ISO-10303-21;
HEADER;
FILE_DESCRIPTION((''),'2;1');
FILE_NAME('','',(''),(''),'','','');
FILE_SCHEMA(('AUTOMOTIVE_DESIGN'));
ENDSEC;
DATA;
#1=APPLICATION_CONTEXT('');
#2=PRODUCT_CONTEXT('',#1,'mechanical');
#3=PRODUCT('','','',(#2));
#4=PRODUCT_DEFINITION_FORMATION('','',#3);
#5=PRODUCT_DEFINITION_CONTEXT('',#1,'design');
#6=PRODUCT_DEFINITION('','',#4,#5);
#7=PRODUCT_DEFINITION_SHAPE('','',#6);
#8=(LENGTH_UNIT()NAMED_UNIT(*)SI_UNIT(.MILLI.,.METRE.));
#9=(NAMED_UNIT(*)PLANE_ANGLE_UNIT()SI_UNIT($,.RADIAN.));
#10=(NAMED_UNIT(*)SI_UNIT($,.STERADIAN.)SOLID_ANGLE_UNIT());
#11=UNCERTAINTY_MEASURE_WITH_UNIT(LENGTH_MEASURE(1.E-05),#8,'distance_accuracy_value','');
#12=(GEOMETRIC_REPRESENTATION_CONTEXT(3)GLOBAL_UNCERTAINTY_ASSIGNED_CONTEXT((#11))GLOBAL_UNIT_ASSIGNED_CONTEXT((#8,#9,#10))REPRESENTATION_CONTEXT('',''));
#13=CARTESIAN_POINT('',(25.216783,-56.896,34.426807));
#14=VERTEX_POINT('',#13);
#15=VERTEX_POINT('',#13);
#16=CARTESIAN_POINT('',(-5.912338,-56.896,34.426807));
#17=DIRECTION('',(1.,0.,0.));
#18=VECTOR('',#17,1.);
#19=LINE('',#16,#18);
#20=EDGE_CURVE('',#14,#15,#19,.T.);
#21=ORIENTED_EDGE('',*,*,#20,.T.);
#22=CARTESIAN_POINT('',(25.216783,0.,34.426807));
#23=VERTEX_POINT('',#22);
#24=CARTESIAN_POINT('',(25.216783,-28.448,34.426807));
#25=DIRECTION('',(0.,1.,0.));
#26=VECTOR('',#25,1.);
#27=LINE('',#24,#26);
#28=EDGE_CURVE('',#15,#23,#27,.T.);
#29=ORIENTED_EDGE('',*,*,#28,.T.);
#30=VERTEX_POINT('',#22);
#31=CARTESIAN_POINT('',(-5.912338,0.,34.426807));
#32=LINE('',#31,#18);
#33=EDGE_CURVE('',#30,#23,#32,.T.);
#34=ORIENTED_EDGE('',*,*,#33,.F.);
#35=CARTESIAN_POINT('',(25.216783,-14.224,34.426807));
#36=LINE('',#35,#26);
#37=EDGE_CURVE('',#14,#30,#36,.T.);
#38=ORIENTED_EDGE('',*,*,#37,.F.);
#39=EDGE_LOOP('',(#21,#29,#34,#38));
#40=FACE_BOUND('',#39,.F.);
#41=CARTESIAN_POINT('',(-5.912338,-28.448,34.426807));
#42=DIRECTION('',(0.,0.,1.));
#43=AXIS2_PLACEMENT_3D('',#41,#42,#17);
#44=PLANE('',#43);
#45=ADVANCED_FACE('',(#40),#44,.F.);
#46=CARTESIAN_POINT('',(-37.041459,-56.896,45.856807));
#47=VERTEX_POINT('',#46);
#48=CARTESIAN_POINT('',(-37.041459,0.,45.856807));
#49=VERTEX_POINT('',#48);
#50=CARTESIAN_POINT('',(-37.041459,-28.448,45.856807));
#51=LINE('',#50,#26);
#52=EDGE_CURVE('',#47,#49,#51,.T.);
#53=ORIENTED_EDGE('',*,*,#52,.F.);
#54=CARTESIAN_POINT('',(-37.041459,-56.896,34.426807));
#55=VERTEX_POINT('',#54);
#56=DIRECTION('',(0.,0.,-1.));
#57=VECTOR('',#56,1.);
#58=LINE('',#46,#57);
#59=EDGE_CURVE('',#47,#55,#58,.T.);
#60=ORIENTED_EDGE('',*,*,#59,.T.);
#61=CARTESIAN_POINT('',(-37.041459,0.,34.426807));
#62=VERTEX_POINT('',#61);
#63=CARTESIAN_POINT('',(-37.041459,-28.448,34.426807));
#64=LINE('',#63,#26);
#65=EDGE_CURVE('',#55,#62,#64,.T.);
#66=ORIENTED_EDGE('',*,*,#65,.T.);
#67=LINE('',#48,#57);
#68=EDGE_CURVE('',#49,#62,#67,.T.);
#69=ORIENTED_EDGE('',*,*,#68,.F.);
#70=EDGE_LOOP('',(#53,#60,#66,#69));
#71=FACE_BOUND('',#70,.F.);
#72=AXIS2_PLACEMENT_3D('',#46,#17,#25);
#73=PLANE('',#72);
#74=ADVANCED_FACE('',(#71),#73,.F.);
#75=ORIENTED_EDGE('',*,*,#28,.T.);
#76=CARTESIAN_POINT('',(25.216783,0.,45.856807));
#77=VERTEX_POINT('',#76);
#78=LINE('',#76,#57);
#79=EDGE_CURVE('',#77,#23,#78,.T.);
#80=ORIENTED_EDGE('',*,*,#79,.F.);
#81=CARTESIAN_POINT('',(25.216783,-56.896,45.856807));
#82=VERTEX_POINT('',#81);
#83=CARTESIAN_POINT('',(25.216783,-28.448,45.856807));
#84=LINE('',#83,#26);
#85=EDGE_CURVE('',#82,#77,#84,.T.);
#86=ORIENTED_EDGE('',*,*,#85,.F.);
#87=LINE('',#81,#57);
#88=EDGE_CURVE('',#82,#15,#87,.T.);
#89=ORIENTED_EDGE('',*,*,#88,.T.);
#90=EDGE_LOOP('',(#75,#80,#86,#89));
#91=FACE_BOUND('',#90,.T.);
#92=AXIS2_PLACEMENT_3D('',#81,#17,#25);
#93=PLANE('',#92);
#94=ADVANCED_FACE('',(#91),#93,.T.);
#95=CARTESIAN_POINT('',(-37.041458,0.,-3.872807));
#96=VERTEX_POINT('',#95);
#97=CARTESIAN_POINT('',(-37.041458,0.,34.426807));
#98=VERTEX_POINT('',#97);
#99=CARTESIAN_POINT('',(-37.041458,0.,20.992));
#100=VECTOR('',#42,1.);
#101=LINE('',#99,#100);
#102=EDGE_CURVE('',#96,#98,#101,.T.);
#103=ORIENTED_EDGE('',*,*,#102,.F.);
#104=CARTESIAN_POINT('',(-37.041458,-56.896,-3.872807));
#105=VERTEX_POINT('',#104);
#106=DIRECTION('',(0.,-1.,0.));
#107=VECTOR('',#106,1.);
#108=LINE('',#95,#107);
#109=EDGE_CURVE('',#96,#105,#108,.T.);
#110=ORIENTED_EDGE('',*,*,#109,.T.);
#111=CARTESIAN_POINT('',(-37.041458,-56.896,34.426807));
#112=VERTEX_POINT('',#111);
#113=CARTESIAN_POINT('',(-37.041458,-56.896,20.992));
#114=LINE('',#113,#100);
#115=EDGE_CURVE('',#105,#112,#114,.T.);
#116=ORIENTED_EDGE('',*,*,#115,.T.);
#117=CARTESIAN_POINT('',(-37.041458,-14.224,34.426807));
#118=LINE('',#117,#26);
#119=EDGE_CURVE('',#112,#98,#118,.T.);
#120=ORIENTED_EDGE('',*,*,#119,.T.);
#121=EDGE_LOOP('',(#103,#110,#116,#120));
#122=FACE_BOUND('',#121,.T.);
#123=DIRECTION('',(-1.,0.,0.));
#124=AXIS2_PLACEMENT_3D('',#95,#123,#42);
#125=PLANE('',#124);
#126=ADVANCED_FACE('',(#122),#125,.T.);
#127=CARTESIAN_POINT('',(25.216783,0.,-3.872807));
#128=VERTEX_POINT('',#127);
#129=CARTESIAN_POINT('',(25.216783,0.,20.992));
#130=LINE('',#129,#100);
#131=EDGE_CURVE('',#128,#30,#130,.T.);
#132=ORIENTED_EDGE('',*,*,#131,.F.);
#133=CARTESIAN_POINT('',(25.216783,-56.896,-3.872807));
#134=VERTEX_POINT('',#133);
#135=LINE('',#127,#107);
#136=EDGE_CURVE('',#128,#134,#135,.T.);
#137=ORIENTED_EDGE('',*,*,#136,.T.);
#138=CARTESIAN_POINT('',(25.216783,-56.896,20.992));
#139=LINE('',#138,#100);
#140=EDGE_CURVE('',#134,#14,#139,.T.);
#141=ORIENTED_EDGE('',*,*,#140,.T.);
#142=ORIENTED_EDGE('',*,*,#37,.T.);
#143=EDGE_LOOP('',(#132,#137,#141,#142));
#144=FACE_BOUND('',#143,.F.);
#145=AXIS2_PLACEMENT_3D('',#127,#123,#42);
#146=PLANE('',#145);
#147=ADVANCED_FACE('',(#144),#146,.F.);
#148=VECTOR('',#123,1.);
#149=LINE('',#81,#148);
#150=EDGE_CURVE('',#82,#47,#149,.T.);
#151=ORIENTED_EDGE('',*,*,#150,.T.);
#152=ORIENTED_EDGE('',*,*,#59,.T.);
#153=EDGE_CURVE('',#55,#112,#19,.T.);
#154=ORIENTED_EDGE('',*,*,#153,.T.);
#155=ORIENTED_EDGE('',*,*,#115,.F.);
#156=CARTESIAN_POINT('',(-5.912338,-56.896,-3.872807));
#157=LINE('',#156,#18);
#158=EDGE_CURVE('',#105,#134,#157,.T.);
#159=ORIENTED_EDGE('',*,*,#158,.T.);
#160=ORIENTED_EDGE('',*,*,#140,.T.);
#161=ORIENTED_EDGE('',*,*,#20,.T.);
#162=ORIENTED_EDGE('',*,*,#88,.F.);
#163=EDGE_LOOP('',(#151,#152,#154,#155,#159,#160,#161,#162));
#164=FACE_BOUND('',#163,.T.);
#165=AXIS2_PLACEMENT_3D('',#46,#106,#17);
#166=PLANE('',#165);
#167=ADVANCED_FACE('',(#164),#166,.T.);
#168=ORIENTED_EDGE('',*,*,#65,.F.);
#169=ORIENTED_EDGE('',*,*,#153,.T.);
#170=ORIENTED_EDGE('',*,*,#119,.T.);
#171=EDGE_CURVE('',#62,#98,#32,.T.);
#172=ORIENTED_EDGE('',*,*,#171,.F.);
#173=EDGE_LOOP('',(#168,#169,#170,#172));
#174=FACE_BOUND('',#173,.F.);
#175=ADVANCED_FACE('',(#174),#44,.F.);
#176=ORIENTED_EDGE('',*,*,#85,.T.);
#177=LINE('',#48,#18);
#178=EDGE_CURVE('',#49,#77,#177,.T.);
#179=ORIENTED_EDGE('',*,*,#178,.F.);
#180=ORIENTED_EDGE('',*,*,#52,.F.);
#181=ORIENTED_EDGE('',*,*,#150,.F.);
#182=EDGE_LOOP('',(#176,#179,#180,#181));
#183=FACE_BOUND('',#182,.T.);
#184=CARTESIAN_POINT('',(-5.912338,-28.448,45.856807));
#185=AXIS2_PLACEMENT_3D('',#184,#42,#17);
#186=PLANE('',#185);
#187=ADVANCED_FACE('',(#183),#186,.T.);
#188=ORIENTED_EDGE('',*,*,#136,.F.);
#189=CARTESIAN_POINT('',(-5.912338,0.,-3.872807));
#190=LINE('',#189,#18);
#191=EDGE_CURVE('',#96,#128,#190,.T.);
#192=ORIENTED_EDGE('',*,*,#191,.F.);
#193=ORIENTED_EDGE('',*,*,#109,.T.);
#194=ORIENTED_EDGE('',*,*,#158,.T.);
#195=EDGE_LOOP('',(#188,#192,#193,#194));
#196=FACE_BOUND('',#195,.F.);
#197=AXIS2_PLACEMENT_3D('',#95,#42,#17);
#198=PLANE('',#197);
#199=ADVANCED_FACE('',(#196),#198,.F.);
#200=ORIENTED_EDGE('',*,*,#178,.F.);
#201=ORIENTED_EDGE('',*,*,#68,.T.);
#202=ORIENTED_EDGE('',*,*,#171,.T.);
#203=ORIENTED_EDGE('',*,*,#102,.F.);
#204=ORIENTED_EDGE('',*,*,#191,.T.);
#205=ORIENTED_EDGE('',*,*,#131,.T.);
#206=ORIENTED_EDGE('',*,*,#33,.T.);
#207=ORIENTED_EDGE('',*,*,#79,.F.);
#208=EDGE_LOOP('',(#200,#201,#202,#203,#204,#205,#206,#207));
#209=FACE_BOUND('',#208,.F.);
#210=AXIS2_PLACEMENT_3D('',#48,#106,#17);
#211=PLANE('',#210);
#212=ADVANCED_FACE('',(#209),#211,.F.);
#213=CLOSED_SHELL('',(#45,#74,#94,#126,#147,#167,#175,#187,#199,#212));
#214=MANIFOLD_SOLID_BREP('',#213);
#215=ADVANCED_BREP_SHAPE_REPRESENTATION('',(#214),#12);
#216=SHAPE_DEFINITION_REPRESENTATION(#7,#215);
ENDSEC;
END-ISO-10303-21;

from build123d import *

# Parameters (mm, degrees)
F0_W      = 62.258241
F0_H      = 49.729614
F1_DEPTH  = 56.896
F1_FACE_W = 62.258242
F1_FACE_H = 56.896
F2_DEPTH  = 11.43


with BuildPart() as f1:
    # F0 (on Front) → F1 (new body)
    with BuildSketch(Plane.XZ):
        with Locations((-5.912338, 20.992)):
            Rectangle(F0_W, F0_H)
    extrude(amount=F1_DEPTH)

    # F1_face (on face) → F2 (join)
    with BuildSketch(Plane(origin=(-5.912338, -28.448, 45.856807), x_dir=(1, 0, 0), z_dir=(0, 0, 1))):
        Rectangle(F1_FACE_W, F1_FACE_H)
    extrude(amount=-F2_DEPTH)


solid = f1.part
